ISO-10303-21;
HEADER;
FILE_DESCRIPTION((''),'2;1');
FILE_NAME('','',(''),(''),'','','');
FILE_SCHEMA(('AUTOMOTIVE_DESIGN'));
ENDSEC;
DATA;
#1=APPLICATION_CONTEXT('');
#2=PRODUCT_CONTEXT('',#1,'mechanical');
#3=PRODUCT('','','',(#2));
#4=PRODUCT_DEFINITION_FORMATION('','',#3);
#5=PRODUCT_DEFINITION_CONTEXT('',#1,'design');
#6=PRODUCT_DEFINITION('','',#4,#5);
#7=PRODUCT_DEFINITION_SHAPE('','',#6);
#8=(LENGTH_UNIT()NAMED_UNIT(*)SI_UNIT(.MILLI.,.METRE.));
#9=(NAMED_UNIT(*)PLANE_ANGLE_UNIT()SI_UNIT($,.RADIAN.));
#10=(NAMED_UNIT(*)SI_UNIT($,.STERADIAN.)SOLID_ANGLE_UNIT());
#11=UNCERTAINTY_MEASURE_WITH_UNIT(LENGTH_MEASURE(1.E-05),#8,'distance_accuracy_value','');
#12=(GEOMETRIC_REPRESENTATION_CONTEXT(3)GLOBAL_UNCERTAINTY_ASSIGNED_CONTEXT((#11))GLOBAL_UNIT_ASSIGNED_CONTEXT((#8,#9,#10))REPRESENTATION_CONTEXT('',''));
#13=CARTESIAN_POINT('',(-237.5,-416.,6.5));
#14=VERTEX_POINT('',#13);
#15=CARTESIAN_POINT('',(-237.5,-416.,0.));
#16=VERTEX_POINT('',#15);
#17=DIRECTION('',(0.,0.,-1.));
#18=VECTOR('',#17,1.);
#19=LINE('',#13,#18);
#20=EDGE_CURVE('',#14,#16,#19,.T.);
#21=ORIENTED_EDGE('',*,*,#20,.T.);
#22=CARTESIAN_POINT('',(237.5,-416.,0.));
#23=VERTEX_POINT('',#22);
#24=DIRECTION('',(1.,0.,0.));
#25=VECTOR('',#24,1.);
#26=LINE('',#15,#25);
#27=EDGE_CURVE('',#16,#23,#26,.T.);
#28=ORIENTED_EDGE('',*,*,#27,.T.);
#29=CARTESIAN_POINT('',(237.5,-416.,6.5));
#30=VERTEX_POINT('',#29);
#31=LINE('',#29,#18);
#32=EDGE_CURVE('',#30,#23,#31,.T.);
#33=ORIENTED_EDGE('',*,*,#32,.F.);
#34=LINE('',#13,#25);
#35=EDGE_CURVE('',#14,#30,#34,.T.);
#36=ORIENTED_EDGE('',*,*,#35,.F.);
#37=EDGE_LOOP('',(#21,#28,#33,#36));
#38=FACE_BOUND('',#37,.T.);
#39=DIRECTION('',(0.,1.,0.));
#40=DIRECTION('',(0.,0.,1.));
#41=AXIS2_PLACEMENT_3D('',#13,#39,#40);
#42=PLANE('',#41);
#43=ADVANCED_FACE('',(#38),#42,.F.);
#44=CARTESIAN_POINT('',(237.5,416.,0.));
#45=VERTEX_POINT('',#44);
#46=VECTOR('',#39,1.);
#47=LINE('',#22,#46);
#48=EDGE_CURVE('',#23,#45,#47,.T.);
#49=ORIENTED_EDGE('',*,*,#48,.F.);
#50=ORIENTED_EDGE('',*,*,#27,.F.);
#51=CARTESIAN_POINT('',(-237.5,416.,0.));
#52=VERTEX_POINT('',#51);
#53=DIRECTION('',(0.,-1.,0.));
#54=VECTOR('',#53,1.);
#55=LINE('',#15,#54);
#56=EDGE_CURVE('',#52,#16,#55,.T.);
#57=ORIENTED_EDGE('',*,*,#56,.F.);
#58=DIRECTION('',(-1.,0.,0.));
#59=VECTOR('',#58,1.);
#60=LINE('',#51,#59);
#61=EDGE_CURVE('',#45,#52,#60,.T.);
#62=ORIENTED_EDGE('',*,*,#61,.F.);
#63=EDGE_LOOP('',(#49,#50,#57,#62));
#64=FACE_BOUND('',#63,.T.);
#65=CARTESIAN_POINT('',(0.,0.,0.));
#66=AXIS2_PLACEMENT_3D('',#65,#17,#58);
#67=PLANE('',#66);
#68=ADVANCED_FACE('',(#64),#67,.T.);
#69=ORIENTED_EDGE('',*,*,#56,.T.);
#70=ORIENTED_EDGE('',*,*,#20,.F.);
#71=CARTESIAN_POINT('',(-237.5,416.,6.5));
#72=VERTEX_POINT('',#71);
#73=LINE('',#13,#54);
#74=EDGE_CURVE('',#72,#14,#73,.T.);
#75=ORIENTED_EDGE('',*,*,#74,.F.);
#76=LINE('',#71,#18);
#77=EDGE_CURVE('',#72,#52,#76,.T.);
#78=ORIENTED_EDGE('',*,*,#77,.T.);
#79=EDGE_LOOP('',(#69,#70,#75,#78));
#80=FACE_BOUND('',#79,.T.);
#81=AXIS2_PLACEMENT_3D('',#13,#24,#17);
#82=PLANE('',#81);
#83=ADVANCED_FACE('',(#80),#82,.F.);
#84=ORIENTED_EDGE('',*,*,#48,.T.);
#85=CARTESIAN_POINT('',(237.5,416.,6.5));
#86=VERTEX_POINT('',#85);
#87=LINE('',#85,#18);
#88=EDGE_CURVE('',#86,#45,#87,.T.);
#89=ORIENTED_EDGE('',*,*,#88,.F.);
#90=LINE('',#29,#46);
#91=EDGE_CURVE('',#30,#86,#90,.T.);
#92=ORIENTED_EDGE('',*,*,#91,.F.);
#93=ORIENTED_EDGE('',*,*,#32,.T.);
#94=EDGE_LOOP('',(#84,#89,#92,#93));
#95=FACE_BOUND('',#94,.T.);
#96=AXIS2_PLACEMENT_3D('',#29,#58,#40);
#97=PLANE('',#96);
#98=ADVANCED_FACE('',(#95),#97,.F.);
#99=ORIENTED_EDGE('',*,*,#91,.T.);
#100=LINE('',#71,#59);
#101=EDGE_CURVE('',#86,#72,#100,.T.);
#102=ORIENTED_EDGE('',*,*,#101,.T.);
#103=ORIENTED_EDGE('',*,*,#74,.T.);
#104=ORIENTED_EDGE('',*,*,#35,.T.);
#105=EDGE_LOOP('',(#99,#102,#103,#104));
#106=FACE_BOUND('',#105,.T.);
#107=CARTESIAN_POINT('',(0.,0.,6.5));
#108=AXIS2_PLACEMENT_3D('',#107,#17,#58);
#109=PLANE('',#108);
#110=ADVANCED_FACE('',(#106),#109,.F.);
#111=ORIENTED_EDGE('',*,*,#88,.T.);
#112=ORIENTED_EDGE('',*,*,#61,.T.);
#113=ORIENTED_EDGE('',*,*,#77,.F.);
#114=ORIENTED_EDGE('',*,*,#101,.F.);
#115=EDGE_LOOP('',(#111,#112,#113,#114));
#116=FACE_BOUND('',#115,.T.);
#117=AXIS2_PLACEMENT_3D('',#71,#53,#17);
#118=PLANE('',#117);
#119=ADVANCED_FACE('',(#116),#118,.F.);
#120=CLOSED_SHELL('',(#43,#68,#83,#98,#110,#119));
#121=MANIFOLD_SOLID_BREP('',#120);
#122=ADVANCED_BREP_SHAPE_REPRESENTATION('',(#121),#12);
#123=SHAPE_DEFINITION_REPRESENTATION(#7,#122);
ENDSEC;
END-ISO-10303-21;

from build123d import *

# Parameters (mm, degrees)
ESQUISSE1_W        = 475
ESQUISSE1_H        = 832
BOSS_EXTRU_1_DEPTH = 6.5


with BuildPart() as part:
    # Esquisse1 → Boss.-Extru.1 (new body)
    with BuildSketch(Plane.XY):
        Rectangle(ESQUISSE1_W, ESQUISSE1_H)
    extrude(amount=BOSS_EXTRU_1_DEPTH)


solid = part.part
